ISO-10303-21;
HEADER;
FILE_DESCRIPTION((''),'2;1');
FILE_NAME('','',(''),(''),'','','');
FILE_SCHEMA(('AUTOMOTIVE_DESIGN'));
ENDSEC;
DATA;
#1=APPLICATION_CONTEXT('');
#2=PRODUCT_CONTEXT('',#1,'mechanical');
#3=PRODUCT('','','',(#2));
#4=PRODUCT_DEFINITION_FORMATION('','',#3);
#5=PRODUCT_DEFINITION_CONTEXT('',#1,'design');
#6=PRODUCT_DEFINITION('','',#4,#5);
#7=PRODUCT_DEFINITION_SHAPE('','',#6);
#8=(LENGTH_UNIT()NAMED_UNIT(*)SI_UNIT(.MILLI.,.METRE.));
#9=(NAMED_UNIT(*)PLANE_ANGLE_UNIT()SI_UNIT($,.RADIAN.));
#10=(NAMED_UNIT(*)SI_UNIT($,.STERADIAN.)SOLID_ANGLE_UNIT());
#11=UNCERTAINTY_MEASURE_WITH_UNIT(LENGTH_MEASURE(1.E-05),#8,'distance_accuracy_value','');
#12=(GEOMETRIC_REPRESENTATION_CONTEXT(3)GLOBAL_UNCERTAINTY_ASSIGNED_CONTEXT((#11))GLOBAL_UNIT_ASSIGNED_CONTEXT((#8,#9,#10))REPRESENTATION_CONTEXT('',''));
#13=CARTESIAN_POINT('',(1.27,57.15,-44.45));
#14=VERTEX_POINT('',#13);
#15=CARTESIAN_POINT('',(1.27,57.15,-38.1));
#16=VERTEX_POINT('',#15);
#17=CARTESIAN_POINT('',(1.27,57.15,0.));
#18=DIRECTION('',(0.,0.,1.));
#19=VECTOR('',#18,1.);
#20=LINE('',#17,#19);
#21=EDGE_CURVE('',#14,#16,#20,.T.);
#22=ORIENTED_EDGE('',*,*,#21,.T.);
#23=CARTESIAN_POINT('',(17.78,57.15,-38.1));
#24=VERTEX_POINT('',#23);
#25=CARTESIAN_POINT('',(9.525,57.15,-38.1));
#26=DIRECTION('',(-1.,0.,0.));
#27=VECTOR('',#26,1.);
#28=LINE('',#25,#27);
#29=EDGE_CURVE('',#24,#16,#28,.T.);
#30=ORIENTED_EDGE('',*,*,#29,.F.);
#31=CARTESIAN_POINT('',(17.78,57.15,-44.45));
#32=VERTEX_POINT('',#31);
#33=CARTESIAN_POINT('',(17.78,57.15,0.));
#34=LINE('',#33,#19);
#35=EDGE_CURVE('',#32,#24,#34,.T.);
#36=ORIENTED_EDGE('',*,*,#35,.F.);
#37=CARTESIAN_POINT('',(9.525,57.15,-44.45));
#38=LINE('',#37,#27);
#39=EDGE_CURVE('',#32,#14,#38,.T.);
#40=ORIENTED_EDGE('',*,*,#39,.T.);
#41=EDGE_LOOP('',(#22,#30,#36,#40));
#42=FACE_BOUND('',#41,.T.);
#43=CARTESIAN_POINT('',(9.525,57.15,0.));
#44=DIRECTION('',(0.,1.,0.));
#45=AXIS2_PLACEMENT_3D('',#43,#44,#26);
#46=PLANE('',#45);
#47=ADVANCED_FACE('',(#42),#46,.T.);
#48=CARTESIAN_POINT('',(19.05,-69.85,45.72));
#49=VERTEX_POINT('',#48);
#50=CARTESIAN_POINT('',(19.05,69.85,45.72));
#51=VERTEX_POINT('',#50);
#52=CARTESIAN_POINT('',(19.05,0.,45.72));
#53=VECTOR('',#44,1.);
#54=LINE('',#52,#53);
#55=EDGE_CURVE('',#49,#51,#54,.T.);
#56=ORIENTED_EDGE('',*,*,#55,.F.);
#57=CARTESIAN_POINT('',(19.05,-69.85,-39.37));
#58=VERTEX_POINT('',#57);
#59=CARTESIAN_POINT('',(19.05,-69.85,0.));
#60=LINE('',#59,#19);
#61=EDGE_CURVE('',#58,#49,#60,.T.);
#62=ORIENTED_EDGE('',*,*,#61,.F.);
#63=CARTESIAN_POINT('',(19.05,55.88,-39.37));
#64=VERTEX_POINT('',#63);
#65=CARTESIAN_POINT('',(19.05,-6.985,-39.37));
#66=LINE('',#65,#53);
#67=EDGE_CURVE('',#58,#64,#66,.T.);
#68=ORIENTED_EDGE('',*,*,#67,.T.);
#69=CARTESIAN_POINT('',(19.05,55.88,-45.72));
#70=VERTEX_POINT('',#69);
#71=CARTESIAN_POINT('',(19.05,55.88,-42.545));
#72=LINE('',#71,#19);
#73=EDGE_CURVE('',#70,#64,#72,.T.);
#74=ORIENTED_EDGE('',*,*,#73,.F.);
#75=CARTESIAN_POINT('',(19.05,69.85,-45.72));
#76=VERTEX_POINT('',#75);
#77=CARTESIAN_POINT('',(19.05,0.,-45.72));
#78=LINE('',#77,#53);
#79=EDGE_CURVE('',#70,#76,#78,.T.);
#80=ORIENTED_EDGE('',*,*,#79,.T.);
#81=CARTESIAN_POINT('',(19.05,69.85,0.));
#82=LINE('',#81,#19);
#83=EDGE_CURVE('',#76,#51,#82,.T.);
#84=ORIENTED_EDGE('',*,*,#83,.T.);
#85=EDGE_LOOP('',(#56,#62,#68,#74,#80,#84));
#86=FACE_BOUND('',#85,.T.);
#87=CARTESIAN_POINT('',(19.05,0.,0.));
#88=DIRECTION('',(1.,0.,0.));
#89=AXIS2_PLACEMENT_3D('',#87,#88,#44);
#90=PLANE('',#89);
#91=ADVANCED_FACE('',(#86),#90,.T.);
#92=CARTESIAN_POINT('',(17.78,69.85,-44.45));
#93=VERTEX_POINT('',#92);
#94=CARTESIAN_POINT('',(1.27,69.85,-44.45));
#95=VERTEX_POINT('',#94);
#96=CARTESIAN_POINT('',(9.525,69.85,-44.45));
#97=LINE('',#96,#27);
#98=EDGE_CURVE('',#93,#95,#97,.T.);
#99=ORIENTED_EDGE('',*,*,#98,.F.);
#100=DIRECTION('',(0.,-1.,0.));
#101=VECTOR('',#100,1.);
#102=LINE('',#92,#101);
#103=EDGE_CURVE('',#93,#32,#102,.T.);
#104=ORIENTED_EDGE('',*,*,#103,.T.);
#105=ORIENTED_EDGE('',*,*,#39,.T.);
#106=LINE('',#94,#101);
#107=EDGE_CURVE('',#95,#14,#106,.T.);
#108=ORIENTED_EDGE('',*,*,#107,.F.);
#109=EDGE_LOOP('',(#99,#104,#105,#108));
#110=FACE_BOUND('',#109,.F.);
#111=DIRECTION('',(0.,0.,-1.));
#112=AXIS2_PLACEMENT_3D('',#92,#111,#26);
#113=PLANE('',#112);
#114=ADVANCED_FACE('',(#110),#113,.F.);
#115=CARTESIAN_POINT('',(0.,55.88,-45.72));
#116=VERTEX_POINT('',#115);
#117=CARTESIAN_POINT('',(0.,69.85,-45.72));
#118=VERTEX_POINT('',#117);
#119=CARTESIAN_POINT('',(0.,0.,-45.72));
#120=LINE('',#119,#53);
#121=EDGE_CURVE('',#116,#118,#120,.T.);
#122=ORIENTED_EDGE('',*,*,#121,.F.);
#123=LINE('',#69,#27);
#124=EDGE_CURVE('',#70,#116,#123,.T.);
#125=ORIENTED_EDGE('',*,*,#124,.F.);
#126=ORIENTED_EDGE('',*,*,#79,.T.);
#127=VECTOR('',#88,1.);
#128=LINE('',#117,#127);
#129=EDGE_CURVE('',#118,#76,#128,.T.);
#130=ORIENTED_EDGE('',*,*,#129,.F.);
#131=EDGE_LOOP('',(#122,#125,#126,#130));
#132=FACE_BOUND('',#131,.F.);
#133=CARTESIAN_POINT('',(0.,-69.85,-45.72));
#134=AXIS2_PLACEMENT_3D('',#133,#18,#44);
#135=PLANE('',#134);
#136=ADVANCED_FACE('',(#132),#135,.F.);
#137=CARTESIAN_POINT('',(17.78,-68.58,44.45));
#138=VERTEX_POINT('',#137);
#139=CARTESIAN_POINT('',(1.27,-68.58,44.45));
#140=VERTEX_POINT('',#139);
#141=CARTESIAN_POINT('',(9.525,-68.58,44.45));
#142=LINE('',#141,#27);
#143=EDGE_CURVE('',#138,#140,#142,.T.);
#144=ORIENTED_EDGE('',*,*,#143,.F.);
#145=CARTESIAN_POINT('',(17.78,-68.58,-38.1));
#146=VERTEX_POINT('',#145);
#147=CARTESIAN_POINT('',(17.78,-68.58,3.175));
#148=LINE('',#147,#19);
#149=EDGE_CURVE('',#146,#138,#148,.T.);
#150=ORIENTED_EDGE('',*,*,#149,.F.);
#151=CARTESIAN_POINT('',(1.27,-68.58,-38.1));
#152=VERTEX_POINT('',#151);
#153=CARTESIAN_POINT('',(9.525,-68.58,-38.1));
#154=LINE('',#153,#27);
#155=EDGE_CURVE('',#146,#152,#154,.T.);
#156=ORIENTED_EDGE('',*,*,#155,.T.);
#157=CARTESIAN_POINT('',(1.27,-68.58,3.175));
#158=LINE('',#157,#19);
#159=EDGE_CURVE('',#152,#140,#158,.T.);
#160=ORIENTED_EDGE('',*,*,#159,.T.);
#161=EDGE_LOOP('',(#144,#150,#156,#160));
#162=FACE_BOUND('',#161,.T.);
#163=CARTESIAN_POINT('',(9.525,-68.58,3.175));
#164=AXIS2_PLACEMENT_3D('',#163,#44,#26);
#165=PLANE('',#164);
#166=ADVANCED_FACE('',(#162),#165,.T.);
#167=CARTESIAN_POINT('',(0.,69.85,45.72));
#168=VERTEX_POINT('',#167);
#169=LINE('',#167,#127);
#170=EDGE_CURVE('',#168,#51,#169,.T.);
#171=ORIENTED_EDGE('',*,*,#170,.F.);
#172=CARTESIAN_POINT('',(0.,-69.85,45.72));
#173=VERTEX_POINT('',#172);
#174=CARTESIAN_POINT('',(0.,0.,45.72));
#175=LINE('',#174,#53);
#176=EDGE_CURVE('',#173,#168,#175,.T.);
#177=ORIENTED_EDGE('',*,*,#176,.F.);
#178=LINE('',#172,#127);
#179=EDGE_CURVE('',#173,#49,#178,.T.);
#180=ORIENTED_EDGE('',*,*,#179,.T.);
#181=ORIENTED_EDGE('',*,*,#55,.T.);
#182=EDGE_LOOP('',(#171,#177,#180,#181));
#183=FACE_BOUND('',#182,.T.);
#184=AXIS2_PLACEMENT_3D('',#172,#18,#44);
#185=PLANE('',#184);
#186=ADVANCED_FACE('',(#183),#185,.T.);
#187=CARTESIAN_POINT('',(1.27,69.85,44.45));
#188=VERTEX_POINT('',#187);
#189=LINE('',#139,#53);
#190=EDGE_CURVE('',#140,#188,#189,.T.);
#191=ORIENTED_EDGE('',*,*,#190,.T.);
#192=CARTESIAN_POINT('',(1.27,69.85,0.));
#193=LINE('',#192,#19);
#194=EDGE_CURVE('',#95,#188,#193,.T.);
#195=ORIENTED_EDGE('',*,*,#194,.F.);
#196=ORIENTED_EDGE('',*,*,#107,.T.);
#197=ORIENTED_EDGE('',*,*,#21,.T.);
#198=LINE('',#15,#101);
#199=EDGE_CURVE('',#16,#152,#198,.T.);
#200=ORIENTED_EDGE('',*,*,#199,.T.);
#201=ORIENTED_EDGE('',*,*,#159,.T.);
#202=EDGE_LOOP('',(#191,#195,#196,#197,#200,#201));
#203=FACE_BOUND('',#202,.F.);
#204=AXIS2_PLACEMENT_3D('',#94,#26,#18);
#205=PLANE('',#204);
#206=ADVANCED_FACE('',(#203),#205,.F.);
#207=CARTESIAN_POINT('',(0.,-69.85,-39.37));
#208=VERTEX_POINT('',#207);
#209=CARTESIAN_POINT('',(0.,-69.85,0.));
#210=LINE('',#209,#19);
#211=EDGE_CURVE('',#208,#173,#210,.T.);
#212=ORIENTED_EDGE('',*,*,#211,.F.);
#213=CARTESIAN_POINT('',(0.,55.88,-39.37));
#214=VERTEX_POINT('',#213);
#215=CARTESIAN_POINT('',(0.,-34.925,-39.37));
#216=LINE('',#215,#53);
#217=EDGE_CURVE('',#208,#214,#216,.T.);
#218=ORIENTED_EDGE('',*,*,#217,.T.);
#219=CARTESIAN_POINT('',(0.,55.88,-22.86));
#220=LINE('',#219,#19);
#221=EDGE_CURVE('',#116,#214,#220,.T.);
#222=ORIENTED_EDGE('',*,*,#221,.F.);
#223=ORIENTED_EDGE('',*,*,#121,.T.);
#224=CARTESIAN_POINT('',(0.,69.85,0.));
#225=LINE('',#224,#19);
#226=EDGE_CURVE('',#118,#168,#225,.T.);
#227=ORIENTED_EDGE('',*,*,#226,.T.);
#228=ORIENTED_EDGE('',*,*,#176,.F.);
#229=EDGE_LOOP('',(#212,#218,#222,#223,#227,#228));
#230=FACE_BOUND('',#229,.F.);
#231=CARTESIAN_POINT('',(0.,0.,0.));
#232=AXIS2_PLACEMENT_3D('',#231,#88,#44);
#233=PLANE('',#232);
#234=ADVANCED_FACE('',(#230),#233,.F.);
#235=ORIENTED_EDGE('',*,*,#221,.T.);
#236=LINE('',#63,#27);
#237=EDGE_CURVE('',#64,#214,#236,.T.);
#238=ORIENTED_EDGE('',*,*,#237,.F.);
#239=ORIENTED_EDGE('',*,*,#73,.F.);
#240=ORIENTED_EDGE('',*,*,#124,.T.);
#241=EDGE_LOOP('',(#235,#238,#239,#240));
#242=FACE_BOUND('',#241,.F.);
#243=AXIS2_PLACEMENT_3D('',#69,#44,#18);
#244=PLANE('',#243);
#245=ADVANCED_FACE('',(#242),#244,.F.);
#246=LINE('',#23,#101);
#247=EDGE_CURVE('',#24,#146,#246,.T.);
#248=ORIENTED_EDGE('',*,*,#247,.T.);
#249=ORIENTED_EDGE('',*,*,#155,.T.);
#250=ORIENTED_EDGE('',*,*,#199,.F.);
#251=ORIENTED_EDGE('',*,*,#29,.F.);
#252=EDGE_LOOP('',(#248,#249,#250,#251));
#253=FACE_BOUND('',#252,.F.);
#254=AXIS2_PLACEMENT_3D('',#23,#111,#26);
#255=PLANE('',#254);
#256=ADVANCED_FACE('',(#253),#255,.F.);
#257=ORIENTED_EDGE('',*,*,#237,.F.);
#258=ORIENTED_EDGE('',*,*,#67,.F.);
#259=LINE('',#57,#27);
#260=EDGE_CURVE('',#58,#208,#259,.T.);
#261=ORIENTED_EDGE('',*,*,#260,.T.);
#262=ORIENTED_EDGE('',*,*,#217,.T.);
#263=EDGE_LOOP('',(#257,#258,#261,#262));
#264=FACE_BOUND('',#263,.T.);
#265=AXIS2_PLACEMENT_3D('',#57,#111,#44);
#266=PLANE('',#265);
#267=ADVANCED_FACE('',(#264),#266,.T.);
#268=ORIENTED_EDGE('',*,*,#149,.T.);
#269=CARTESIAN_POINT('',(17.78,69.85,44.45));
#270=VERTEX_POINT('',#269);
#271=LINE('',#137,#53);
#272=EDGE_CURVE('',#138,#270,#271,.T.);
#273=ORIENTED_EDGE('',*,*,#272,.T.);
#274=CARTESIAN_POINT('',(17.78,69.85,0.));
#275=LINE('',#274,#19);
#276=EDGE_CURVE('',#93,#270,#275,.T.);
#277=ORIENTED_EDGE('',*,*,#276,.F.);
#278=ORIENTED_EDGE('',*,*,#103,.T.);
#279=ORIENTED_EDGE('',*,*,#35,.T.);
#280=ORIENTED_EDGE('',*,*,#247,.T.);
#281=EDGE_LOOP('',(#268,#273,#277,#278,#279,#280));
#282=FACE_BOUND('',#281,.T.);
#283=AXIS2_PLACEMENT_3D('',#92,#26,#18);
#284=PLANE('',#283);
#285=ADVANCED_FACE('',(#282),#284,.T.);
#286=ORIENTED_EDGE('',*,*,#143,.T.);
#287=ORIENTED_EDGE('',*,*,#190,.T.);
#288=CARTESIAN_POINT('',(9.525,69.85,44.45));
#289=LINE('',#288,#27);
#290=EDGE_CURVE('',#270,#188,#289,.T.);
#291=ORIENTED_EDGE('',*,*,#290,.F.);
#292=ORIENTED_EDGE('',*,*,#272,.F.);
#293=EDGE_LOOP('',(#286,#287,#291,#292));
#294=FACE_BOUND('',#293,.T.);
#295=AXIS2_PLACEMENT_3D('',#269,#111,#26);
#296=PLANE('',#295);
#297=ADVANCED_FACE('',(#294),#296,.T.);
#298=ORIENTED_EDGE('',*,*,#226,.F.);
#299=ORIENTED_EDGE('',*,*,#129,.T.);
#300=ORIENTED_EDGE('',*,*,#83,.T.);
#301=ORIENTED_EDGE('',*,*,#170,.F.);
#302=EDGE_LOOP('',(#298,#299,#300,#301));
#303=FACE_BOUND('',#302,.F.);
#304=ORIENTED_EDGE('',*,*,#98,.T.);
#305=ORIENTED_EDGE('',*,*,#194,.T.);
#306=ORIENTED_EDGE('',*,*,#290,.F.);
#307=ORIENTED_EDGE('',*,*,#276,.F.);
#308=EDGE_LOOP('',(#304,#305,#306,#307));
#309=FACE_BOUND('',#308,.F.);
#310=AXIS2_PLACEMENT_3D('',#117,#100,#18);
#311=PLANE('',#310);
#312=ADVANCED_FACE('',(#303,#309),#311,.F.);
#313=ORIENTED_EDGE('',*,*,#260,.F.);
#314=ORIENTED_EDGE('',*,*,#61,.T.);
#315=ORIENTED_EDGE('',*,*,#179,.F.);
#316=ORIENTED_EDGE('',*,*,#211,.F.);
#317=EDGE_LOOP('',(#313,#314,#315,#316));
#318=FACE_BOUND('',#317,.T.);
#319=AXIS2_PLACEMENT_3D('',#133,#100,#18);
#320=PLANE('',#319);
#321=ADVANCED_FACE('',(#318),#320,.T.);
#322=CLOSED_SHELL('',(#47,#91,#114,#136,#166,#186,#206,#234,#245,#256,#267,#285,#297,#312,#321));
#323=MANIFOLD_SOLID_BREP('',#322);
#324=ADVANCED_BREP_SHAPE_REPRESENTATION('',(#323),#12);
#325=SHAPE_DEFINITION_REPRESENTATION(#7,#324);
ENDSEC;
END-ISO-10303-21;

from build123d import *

# Parameters (mm, degrees)
F0_W     = 139.7
F0_H     = 91.44
F1_DEPTH = 19.05
F2_W     = 125.73
F2_H     = 6.35
F3_DEPTH = 25.4
F4_W     = 16.51
F4_H     = 88.9
F5_DEPTH = 12.7
F6_W     = 16.51
F6_H     = 82.55
F7_DEPTH = 125.73


with BuildPart() as f1:
    # F0 (on Right) → F1 (new body)
    with BuildSketch(Plane.YZ):
        Rectangle(F0_W, F0_H)
    extrude(amount=F1_DEPTH)

    # F2 (on face) → F3 (cut)
    with BuildSketch(Plane.YZ.offset(19.05)):
        with Locations((-6.985, -42.545)):
            Rectangle(F2_W, F2_H)
    extrude(amount=-F3_DEPTH, mode=Mode.SUBTRACT)

    # F4 (on face) → F5 (cut)
    with BuildSketch(Plane(origin=(0, 69.85, 0), x_dir=(-1, 0, 0), z_dir=(0, 1, 0))):
        with Locations((-9.525, 0)):
            Rectangle(F4_W, F4_H)
    extrude(amount=-F5_DEPTH, mode=Mode.SUBTRACT)

    # F6 (on face) → F7 (cut)
    with BuildSketch(Plane(origin=(0, 57.15, 0), x_dir=(-1, 0, 0), z_dir=(0, 1, 0))):
        with Locations((-9.525, 3.175)):
            Rectangle(F6_W, F6_H)
    extrude(amount=-F7_DEPTH, mode=Mode.SUBTRACT)


solid = f1.part
